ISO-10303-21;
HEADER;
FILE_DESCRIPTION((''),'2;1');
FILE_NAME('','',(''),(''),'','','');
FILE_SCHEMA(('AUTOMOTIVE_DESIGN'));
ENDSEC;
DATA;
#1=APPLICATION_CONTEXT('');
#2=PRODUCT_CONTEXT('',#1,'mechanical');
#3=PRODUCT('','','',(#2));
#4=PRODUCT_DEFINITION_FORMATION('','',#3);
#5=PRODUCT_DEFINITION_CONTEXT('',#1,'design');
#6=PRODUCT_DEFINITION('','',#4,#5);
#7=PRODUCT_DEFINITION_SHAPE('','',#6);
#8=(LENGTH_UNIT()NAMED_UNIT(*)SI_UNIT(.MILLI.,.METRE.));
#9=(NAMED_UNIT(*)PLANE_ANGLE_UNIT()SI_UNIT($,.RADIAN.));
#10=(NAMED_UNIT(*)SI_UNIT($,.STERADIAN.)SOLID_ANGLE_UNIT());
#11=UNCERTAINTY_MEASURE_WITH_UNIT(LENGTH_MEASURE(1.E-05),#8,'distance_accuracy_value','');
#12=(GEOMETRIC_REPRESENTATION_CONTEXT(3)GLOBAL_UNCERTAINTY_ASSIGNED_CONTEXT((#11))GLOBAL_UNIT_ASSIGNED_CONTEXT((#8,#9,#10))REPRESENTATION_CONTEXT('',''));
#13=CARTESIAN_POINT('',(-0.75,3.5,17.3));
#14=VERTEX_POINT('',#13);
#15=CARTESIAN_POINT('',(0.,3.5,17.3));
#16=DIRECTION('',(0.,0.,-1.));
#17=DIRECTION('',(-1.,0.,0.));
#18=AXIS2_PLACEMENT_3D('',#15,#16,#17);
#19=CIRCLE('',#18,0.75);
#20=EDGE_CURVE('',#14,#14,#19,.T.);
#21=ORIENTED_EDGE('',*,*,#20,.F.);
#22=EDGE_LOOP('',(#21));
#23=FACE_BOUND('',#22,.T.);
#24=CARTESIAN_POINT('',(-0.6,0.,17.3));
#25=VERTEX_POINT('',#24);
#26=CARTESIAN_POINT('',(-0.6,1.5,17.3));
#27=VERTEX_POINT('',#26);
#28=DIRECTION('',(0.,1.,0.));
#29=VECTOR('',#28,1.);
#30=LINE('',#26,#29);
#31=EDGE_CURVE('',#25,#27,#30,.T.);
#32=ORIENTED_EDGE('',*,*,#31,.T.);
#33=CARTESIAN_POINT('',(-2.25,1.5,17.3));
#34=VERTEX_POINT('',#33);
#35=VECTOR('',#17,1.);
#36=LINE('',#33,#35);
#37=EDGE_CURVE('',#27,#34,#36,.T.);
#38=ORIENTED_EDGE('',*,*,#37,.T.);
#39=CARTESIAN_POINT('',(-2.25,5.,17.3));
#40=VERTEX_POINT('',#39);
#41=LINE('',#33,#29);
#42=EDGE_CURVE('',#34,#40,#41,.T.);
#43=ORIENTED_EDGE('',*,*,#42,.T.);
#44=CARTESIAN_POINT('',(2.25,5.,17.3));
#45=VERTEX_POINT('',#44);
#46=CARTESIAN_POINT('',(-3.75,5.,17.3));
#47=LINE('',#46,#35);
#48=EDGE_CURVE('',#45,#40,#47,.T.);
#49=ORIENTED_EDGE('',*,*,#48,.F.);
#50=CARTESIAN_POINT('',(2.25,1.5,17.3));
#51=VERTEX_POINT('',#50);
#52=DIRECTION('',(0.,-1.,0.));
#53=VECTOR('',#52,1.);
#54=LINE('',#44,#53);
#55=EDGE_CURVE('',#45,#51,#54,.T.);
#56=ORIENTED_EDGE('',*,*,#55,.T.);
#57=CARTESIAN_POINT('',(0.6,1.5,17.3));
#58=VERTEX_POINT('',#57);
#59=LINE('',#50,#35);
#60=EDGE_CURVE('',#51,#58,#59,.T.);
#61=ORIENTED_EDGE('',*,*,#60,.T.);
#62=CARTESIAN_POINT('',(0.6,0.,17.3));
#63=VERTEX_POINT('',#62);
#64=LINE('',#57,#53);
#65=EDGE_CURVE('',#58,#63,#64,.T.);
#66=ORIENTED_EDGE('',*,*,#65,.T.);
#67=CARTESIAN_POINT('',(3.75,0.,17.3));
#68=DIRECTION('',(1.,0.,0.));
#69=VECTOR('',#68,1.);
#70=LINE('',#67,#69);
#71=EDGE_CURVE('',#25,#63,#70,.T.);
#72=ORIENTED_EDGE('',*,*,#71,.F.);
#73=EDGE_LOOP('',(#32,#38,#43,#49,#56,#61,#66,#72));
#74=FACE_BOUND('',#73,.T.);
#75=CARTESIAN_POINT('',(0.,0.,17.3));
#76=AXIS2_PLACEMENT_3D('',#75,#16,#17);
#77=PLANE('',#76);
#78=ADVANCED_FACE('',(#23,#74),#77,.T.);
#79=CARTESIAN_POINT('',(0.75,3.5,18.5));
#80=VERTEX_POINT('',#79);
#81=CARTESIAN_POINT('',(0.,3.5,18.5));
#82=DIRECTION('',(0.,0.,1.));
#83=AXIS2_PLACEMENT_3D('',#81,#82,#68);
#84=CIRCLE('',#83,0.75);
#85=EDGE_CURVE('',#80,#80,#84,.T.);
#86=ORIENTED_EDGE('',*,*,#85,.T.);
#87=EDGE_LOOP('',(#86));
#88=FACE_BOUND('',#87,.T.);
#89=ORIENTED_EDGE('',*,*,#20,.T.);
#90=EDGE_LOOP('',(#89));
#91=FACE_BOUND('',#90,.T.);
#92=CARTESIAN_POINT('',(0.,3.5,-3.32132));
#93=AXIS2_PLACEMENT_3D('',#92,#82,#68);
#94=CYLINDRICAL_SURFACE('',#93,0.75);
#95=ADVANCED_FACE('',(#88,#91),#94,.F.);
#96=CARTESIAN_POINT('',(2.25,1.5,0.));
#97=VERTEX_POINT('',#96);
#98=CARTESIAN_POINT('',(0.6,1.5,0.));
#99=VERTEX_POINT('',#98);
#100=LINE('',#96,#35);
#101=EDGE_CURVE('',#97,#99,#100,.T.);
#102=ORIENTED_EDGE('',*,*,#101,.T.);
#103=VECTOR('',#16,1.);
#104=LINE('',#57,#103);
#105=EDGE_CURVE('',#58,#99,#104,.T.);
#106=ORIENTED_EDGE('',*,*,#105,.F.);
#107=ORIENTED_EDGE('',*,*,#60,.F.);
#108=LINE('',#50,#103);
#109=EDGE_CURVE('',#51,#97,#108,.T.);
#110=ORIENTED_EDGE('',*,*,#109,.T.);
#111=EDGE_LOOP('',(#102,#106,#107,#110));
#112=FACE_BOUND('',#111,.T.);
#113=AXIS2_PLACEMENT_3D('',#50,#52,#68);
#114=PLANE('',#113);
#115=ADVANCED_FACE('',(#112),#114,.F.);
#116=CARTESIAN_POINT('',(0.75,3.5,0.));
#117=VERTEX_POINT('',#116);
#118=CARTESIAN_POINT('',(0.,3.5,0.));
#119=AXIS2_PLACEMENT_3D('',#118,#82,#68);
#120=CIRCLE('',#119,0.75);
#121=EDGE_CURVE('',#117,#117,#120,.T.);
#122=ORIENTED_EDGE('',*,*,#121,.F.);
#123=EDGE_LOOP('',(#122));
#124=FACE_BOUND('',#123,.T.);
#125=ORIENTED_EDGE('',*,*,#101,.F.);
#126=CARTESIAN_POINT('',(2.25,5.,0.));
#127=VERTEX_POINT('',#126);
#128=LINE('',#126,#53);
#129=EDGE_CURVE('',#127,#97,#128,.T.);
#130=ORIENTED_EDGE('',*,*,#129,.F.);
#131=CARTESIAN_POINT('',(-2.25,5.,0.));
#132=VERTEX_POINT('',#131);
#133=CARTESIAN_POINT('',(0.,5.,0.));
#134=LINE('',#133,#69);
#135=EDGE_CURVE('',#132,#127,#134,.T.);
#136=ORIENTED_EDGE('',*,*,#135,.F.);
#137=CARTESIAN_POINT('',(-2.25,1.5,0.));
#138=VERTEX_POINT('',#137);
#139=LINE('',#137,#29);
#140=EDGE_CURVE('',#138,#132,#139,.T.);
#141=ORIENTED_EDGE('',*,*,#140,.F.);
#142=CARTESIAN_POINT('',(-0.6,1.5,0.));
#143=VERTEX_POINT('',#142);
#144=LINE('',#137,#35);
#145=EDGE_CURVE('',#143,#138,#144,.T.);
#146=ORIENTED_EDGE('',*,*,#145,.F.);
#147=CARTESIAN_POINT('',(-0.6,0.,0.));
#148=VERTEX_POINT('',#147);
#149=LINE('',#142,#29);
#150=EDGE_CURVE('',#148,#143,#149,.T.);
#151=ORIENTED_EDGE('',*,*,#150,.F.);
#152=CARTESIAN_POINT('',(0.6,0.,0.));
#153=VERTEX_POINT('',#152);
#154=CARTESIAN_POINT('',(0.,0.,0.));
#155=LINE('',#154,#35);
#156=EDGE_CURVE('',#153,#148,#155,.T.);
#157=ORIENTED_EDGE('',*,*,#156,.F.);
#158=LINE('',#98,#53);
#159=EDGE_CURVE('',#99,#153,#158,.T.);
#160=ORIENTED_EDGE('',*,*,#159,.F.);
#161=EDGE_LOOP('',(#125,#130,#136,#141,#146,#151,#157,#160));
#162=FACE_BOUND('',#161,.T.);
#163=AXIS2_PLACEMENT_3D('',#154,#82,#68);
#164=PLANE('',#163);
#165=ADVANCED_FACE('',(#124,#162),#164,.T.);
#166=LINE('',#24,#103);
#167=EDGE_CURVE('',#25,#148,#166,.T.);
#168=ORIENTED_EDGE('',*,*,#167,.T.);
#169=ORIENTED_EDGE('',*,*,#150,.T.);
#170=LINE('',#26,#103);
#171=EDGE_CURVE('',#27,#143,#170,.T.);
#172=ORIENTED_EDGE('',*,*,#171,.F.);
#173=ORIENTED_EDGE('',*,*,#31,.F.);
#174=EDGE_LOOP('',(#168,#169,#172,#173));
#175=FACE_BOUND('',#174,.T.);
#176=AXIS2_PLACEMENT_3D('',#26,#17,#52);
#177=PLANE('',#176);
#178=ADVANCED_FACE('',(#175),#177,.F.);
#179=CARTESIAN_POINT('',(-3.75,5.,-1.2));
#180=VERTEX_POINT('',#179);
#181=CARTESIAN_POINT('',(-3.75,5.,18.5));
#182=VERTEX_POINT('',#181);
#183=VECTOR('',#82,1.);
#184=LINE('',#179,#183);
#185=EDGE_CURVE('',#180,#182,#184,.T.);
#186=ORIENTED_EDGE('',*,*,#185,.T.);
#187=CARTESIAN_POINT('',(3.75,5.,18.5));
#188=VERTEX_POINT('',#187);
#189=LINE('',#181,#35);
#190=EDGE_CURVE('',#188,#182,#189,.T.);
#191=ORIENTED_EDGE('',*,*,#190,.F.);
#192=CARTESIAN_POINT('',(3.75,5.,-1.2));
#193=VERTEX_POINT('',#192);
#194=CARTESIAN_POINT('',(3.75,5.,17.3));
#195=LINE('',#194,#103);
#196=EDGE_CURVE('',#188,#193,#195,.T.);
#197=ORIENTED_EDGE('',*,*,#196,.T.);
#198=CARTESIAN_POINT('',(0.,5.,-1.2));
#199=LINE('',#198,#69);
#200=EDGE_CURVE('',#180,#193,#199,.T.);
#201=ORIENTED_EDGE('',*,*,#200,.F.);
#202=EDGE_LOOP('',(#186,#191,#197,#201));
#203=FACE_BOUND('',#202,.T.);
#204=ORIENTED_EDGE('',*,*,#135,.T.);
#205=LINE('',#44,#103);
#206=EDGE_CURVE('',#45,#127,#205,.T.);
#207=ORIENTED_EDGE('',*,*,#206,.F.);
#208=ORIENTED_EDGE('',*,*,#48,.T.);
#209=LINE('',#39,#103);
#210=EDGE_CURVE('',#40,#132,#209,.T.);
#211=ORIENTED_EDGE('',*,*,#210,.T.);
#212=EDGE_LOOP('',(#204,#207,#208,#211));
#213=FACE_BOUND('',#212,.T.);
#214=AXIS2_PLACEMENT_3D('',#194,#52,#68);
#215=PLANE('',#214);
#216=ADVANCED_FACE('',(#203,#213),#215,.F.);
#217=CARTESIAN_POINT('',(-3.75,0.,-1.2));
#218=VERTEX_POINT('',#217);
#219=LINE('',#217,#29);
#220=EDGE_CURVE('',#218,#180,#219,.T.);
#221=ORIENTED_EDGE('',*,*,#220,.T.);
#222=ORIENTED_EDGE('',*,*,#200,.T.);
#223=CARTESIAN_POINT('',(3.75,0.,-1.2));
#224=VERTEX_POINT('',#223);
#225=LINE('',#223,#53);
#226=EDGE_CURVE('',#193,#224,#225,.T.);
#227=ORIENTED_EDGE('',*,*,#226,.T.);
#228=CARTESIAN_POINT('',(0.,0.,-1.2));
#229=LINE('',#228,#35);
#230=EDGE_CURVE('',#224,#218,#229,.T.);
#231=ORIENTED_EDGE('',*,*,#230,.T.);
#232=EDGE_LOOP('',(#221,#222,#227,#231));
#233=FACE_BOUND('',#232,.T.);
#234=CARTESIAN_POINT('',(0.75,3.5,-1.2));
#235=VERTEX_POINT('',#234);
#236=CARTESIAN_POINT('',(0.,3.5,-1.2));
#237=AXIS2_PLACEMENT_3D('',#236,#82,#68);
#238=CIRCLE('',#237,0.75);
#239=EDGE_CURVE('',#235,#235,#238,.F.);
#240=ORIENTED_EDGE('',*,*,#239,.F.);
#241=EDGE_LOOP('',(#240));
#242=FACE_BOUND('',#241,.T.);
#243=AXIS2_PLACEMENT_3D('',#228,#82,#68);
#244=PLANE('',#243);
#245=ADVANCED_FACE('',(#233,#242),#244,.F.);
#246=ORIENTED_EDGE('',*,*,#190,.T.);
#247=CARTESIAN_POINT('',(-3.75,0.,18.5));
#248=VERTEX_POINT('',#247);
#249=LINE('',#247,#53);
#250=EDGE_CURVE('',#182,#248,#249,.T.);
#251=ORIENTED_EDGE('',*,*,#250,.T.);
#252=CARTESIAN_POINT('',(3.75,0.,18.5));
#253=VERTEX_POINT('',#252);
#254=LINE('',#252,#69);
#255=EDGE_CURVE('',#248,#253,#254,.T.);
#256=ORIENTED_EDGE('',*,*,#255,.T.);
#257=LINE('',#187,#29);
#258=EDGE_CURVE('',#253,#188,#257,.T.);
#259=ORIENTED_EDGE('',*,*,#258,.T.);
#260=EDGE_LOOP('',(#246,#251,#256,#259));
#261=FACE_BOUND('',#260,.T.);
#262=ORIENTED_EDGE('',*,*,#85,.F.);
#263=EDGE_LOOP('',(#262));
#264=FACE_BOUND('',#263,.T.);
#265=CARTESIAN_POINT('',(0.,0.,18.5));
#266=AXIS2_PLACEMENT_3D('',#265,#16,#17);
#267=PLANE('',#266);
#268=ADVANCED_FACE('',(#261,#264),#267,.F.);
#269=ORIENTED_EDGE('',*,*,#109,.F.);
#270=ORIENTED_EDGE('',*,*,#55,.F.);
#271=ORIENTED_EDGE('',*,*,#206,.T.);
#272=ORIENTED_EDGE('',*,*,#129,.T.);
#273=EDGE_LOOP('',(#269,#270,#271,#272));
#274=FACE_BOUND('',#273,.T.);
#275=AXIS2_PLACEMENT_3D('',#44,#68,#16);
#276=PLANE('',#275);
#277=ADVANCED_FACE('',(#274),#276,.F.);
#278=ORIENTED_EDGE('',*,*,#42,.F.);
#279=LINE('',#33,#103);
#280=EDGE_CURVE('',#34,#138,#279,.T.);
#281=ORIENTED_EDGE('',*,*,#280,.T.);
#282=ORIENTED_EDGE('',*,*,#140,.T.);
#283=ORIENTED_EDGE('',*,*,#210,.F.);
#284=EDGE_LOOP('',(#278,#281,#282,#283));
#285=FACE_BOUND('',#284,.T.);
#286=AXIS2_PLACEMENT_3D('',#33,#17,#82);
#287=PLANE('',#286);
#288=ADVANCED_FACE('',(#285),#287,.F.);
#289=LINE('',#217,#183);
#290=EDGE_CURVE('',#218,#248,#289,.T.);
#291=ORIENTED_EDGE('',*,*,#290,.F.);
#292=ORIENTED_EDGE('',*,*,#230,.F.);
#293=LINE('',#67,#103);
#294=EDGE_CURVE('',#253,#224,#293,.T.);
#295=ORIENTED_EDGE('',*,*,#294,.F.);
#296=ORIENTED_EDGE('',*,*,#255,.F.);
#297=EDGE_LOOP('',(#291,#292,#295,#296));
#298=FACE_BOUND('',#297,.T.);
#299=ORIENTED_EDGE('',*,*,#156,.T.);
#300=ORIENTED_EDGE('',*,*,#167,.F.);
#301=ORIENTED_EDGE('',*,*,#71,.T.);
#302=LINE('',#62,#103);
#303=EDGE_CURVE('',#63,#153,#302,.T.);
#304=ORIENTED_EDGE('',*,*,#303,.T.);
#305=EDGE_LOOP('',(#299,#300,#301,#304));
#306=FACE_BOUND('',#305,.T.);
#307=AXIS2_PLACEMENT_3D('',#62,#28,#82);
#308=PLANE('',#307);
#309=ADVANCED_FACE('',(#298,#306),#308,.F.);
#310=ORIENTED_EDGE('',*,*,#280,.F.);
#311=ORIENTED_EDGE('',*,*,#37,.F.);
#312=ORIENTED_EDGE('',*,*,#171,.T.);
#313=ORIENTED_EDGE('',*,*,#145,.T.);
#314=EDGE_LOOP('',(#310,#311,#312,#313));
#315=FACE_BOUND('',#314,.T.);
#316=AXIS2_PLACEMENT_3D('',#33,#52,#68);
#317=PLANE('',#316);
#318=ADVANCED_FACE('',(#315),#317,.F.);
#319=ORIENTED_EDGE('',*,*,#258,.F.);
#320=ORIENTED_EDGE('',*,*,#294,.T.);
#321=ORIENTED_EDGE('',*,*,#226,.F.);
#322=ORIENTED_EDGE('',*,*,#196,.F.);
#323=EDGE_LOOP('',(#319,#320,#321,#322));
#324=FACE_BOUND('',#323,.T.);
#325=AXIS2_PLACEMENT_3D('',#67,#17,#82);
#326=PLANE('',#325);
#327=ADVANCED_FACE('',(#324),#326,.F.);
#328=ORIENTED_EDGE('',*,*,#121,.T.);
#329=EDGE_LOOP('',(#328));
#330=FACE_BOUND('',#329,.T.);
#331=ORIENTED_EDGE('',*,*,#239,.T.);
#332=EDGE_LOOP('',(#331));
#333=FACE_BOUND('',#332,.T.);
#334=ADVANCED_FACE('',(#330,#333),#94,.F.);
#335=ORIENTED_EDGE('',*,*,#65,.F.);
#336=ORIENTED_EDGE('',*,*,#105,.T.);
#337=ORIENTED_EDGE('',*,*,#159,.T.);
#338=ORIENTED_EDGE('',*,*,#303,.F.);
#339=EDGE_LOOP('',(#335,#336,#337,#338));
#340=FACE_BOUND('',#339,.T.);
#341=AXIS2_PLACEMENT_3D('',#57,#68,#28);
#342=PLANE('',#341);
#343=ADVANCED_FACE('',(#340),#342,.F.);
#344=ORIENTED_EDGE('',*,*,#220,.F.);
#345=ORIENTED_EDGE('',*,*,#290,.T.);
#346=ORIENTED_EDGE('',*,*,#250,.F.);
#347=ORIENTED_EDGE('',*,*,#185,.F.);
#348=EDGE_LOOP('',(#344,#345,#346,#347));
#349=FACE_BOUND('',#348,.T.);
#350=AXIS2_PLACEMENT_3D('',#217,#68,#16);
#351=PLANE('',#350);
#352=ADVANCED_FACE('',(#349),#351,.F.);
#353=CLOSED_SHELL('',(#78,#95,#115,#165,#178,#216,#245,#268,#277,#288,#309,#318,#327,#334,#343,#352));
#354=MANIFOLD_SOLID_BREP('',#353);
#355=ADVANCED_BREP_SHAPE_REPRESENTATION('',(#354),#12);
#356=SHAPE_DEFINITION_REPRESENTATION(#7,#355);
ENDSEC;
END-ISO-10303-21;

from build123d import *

# Parameters (mm, degrees)
BODY_DEPTH        = 17.3
BODY_2_DEPTH      = 17.3
SKETCH2_W         = 7.5
SKETCH2_H         = 5
END_DEPTH         = 1.2
END1_START        = 17.3
SKETCH2_4_W       = 7.5
SKETCH2_4_H       = 5
END1_DEPTH        = 1.2
SKETCH3_R         = 0.75
TENDON_HOLE_DEPTH = 19.7


with BuildPart() as part:
    # Sketch1 → body (new body)
    with BuildSketch(Plane.XY):
        Polygon((3.75, 0), (3.75, 5), (2.25, 5), (2.25, 1.5), (0.6, 1.5), (0.6, 0), align=None)
    extrude(amount=BODY_DEPTH)



with BuildPart() as body_2_2:
    # Sketch1 → body 2 (new body)
    with BuildSketch(Plane.XY):
        Polygon((-2.25, 1.5), (-2.25, 5), (-3.75, 5), (-3.75, 0), (-0.6, 0), (-0.6, 1.5), align=None)
    extrude(amount=BODY_2_DEPTH)


with BuildPart() as part_1:
    add(part.part)

    add(body_2_2.part)  # end merges body 2 2
    # Sketch2 → end (add)
    with BuildSketch(Plane.XY):
        with Locations((0, 2.5)):
            Rectangle(SKETCH2_W, SKETCH2_H)
    extrude(amount=-END_DEPTH)

    # Sketch2<4> → end1 (add)
    with BuildSketch(Plane.XY.offset(END1_START)):
        with Locations((0, 2.5)):
            Rectangle(SKETCH2_4_W, SKETCH2_4_H)
    extrude(amount=END1_DEPTH)

    # Sketch3 → tendon hole (cut)
    with BuildSketch(Plane.XY.offset(18.5)):
        with Locations((0, 3.5)):
            Circle(SKETCH3_R)
    extrude(amount=-TENDON_HOLE_DEPTH, mode=Mode.SUBTRACT)


solid = part_1.part
